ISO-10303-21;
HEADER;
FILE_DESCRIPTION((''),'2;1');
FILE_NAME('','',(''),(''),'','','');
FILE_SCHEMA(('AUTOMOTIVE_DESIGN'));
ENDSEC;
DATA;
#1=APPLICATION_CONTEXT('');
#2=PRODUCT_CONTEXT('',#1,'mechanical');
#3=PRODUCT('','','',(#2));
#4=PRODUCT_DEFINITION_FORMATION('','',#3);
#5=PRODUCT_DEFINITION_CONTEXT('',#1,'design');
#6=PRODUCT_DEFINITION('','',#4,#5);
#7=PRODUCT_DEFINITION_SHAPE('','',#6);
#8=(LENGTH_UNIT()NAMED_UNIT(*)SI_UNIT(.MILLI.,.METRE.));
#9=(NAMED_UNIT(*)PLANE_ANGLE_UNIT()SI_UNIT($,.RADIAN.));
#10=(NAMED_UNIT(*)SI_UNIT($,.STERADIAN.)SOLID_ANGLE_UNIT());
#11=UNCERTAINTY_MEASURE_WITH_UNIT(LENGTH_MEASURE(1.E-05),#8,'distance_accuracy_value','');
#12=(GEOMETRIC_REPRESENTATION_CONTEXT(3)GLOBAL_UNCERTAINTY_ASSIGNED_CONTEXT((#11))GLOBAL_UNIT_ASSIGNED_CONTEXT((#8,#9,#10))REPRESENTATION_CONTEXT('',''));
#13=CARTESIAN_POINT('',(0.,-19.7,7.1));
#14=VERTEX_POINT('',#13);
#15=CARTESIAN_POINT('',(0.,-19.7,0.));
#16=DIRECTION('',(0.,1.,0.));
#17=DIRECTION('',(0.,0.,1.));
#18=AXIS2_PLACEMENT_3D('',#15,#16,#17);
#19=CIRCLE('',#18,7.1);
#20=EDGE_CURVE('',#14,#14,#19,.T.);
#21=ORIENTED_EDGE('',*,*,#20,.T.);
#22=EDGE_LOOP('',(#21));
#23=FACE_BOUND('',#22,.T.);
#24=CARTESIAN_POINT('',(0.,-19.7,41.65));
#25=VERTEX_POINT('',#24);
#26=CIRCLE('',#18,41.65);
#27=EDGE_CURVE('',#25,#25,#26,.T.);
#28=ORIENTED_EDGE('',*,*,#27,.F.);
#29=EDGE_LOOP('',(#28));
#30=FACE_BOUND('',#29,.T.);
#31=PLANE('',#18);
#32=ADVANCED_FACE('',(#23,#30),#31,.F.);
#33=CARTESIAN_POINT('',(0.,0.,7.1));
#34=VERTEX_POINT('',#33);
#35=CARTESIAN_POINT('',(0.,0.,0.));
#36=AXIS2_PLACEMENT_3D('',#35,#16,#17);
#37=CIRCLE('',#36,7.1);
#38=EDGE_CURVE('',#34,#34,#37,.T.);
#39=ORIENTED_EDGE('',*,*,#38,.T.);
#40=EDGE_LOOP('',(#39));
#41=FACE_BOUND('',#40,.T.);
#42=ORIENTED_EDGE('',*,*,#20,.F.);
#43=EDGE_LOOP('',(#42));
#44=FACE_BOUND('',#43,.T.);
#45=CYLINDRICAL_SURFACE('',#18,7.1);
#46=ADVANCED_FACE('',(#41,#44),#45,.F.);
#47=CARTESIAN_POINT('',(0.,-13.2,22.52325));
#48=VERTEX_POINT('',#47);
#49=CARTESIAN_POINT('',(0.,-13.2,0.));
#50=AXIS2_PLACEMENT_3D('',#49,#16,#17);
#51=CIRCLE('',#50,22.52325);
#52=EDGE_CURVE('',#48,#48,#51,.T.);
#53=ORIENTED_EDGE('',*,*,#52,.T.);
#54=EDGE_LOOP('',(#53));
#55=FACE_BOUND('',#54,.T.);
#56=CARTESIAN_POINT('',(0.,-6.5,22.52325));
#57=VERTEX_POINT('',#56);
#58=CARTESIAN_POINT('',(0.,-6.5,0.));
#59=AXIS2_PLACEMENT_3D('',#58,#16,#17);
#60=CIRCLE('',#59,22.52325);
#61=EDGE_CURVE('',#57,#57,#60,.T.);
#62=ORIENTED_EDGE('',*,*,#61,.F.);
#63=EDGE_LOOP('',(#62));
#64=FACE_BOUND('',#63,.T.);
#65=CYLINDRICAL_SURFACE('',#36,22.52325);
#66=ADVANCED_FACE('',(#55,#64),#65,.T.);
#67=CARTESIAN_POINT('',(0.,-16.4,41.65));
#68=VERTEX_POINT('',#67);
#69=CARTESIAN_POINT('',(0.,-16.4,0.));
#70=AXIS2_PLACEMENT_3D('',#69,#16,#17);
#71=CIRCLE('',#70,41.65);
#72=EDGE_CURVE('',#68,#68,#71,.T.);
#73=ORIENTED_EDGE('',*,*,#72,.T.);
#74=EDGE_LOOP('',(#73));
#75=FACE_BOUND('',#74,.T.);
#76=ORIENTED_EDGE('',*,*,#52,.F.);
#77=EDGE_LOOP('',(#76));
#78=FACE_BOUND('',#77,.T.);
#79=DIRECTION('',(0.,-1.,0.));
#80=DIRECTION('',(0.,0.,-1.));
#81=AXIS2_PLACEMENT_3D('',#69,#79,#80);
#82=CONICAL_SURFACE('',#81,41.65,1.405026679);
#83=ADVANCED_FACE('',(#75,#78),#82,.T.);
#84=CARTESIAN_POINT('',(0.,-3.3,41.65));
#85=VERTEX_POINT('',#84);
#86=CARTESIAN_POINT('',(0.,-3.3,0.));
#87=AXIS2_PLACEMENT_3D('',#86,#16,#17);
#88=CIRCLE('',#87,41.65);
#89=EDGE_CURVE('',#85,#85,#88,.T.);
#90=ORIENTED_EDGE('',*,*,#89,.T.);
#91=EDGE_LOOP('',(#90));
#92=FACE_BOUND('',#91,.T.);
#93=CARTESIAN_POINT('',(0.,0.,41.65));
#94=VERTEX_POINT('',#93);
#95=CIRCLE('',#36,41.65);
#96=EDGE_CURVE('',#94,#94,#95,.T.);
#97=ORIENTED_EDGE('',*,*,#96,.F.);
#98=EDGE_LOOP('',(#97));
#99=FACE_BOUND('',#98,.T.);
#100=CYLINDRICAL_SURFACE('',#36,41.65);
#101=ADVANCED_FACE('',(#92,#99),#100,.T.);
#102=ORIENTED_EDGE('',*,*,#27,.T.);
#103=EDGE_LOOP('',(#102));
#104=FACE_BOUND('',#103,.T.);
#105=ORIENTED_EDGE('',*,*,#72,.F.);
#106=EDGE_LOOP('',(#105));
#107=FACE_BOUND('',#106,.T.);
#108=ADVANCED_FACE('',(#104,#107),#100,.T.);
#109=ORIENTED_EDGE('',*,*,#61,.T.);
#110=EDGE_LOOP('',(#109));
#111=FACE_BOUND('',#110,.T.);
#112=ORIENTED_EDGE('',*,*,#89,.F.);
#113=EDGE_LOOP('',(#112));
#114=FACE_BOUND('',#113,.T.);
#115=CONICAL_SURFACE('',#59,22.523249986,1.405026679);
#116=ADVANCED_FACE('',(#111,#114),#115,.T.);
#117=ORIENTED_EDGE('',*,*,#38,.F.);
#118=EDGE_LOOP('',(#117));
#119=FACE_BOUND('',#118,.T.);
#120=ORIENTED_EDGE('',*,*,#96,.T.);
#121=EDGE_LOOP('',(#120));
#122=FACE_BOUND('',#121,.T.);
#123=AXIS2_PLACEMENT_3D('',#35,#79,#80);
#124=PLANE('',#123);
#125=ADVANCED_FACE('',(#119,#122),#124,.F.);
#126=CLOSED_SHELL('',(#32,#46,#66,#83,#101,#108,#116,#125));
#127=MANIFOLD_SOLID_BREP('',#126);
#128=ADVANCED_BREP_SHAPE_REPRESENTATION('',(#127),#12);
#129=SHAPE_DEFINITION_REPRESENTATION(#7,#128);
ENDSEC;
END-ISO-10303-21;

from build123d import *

# Parameters (mm, degrees)
SKETCH2_R          = 7.1
CUT_EXTRUDE1_DEPTH = 63.109057311


with BuildPart() as part:
    # Sketch1 → Revolve1 (revolve)
    with BuildSketch(Plane(origin=(0, 0, 0), x_dir=(0, 0, -1), z_dir=(1, 0, 0)), mode=Mode.PRIVATE) as revolve1_sk:
        Polygon((0, 0), (41.65, 0), (41.65, -3.3), (22.523249986, -6.5), (22.523249986, -13.2), (41.65, -16.4), (41.65, -19.7), (0, -19.7), align=None)
    revolve(revolve1_sk.sketch.rotate(Axis((0, 0, 0), (0, -1, 0)), 180), axis=Axis((0, 0, 0), (0, -1, 0)))

    # Sketch2 → Cut-Extrude1 (cut, through all)
    with BuildSketch(Plane(origin=(0, 0, 0), x_dir=(1, 0, 0), z_dir=(0, 1, 0))):
        with Locations(Location((0, 0, 0), (0, 0, 270))):
            Circle(SKETCH2_R)
    extrude(amount=-CUT_EXTRUDE1_DEPTH, mode=Mode.SUBTRACT)


solid = part.part
